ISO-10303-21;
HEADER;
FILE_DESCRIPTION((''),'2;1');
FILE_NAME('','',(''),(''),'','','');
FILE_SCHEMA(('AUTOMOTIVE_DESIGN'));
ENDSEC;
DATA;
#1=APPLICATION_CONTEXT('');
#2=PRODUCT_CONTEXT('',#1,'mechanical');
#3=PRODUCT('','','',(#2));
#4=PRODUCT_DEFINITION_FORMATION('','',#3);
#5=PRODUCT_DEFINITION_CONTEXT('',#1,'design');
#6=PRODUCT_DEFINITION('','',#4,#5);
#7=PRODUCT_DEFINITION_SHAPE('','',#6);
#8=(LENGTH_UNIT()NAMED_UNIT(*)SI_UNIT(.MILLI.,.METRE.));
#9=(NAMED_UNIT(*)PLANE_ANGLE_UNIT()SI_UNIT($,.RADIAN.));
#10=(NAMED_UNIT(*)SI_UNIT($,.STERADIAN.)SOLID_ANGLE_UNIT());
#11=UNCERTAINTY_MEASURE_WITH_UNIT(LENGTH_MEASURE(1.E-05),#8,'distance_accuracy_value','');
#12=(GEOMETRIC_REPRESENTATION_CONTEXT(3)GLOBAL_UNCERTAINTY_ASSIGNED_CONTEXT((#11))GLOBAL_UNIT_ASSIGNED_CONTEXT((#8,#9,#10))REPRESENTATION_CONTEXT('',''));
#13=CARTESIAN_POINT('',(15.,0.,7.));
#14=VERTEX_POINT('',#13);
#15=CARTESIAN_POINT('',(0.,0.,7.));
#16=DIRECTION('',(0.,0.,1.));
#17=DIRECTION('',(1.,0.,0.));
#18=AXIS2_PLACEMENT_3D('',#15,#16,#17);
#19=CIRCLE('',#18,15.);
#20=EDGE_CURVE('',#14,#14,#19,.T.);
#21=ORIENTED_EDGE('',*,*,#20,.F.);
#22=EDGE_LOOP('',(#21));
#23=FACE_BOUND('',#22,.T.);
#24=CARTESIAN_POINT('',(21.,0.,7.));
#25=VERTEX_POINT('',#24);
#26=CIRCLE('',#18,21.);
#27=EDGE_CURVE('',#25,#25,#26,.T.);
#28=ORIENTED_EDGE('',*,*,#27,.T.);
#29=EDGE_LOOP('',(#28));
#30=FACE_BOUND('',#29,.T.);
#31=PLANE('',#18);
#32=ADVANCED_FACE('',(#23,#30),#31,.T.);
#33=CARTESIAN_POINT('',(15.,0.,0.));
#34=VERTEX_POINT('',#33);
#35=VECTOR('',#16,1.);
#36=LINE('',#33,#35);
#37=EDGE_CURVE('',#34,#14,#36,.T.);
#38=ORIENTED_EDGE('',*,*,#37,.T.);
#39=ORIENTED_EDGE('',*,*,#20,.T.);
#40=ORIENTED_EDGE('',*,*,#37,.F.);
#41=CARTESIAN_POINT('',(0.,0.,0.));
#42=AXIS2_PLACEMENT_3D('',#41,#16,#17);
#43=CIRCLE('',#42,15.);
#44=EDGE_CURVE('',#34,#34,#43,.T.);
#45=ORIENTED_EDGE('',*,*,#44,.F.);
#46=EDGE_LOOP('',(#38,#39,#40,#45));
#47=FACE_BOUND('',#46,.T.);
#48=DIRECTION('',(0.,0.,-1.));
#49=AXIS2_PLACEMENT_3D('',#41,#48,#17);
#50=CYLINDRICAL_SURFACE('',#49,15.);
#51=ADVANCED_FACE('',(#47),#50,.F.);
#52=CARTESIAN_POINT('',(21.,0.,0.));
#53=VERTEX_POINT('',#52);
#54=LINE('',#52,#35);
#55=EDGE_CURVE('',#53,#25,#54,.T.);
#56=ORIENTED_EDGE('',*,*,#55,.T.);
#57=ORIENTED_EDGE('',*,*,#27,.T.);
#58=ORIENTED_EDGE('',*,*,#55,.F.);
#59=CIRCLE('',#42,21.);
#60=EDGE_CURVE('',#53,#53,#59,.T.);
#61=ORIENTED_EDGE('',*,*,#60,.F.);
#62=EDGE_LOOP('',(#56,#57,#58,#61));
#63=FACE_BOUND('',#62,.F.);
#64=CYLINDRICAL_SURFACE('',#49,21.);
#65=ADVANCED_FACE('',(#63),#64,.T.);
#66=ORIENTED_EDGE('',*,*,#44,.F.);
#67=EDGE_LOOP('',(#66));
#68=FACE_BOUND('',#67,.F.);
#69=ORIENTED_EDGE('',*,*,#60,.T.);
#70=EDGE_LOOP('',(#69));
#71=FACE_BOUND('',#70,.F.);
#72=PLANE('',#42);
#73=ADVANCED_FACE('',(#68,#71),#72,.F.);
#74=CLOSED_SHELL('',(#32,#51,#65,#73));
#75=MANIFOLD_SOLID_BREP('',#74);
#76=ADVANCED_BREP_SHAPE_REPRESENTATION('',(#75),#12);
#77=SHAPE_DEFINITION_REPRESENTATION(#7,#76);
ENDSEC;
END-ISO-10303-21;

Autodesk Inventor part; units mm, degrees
ref_plane "YZ Plane" through (0, 0, 0) normal (1, 0, 0) x (0, 1, 0)
ref_plane "XZ Plane" through (0, 0, 0) normal (0, 1, 0) x (-1, 0, 0)
ref_plane "XY Plane" through (0, 0, 0) normal (0, 0, 1) x (1, 0, 0)
sketch "Sketch2" plane through (0, 0, 0) normal (0, 0, 1) x (1, 0, 0)
  circle A0 centre (0, 0) radius 15
  circle A1 centre (0, 0) radius 21
  dimension "d0" = 30
  dimension "d1" = 42
extrude "Extrusion1" add sketch "Sketch2" along normal blind 7
properties part number "P_bearing_Z9089_001" material "Stainless Steel, 440C"
